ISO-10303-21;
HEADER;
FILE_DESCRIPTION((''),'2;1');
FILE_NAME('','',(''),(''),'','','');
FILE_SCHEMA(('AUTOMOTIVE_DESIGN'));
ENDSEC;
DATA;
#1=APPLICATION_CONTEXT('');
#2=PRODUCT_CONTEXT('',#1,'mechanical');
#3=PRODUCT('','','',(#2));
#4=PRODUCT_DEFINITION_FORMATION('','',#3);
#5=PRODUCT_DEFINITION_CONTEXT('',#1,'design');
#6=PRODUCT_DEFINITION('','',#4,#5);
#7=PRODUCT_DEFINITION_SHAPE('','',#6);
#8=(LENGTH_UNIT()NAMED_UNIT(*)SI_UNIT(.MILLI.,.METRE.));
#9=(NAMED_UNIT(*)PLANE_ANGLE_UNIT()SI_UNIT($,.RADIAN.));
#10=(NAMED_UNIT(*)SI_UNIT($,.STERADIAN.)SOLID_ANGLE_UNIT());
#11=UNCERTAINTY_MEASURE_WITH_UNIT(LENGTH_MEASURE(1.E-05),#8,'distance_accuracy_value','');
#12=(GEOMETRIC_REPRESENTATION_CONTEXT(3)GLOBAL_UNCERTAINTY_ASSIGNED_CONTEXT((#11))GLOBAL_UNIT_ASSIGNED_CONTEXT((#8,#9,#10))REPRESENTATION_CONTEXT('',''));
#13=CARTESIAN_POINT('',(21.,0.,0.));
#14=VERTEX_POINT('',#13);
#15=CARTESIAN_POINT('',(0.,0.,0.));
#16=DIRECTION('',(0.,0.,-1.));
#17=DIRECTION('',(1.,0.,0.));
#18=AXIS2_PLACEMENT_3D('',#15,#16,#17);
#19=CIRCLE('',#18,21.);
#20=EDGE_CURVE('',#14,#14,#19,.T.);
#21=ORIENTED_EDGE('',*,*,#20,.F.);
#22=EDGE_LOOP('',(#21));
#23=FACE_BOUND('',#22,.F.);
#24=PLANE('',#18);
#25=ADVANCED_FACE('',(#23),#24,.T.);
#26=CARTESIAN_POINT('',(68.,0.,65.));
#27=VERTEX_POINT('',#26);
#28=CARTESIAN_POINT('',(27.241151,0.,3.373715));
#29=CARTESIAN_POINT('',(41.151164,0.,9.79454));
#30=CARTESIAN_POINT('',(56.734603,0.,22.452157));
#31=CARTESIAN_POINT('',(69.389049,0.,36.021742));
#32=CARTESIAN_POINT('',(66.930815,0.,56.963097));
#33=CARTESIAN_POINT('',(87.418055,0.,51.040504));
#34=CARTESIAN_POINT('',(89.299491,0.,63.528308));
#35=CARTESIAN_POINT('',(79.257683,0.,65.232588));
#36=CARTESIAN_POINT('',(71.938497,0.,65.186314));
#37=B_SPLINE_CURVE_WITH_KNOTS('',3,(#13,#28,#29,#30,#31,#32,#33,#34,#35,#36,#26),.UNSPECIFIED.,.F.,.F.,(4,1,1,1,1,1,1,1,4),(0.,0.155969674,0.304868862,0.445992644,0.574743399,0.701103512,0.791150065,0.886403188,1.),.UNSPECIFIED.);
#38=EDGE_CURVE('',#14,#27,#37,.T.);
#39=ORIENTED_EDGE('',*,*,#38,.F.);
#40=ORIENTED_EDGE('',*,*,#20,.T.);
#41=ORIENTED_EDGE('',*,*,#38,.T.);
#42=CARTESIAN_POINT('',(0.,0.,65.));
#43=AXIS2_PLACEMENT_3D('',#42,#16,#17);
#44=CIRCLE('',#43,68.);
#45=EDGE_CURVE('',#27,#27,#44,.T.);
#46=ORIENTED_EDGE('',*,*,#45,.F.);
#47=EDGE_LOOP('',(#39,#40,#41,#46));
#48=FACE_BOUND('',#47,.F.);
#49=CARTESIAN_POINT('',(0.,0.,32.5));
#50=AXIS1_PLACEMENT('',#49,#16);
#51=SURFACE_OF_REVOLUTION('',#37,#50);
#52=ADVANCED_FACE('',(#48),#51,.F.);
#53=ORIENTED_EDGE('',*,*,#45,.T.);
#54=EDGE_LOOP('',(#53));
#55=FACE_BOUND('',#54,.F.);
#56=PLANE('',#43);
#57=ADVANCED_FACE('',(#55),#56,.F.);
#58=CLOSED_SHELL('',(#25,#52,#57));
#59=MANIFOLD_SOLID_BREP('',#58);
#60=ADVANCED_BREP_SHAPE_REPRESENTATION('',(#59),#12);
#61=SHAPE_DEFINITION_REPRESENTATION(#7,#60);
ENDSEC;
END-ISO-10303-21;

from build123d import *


with BuildPart() as f1:
    # F0 (on Front) → F1 (revolve)
    with BuildSketch(Plane.XZ):
        with BuildLine():
            Line((0, 65), (0, 0))
            Line((0, 0), (21, 0))
            add(Edge.make_bspline(
                [(21, 0), (27.2411511158, 3.3737147043), (41.1511641786, 9.7945397523), (56.7346025379, 22.4521567681), (69.389049342, 36.0217424716), (66.9308147157, 56.9630973316), (87.4180552336, 51.0405042964), (89.2994914633, 63.5283080022), (79.2576831664, 65.232588367), (71.9384974723, 65.186313519), (68, 65)],
                knots=[0, 0, 0, 0, 0.155969674, 0.304868862, 0.4459926439, 0.5747433995, 0.7011035122, 0.7911500649, 0.8864031882, 1, 1, 1, 1], degree=3))
            Line((68, 65), (0, 65))
        make_face()
    revolve(axis=Axis((0, 0, 32.5), (0, 0, -1)))


solid = f1.part
